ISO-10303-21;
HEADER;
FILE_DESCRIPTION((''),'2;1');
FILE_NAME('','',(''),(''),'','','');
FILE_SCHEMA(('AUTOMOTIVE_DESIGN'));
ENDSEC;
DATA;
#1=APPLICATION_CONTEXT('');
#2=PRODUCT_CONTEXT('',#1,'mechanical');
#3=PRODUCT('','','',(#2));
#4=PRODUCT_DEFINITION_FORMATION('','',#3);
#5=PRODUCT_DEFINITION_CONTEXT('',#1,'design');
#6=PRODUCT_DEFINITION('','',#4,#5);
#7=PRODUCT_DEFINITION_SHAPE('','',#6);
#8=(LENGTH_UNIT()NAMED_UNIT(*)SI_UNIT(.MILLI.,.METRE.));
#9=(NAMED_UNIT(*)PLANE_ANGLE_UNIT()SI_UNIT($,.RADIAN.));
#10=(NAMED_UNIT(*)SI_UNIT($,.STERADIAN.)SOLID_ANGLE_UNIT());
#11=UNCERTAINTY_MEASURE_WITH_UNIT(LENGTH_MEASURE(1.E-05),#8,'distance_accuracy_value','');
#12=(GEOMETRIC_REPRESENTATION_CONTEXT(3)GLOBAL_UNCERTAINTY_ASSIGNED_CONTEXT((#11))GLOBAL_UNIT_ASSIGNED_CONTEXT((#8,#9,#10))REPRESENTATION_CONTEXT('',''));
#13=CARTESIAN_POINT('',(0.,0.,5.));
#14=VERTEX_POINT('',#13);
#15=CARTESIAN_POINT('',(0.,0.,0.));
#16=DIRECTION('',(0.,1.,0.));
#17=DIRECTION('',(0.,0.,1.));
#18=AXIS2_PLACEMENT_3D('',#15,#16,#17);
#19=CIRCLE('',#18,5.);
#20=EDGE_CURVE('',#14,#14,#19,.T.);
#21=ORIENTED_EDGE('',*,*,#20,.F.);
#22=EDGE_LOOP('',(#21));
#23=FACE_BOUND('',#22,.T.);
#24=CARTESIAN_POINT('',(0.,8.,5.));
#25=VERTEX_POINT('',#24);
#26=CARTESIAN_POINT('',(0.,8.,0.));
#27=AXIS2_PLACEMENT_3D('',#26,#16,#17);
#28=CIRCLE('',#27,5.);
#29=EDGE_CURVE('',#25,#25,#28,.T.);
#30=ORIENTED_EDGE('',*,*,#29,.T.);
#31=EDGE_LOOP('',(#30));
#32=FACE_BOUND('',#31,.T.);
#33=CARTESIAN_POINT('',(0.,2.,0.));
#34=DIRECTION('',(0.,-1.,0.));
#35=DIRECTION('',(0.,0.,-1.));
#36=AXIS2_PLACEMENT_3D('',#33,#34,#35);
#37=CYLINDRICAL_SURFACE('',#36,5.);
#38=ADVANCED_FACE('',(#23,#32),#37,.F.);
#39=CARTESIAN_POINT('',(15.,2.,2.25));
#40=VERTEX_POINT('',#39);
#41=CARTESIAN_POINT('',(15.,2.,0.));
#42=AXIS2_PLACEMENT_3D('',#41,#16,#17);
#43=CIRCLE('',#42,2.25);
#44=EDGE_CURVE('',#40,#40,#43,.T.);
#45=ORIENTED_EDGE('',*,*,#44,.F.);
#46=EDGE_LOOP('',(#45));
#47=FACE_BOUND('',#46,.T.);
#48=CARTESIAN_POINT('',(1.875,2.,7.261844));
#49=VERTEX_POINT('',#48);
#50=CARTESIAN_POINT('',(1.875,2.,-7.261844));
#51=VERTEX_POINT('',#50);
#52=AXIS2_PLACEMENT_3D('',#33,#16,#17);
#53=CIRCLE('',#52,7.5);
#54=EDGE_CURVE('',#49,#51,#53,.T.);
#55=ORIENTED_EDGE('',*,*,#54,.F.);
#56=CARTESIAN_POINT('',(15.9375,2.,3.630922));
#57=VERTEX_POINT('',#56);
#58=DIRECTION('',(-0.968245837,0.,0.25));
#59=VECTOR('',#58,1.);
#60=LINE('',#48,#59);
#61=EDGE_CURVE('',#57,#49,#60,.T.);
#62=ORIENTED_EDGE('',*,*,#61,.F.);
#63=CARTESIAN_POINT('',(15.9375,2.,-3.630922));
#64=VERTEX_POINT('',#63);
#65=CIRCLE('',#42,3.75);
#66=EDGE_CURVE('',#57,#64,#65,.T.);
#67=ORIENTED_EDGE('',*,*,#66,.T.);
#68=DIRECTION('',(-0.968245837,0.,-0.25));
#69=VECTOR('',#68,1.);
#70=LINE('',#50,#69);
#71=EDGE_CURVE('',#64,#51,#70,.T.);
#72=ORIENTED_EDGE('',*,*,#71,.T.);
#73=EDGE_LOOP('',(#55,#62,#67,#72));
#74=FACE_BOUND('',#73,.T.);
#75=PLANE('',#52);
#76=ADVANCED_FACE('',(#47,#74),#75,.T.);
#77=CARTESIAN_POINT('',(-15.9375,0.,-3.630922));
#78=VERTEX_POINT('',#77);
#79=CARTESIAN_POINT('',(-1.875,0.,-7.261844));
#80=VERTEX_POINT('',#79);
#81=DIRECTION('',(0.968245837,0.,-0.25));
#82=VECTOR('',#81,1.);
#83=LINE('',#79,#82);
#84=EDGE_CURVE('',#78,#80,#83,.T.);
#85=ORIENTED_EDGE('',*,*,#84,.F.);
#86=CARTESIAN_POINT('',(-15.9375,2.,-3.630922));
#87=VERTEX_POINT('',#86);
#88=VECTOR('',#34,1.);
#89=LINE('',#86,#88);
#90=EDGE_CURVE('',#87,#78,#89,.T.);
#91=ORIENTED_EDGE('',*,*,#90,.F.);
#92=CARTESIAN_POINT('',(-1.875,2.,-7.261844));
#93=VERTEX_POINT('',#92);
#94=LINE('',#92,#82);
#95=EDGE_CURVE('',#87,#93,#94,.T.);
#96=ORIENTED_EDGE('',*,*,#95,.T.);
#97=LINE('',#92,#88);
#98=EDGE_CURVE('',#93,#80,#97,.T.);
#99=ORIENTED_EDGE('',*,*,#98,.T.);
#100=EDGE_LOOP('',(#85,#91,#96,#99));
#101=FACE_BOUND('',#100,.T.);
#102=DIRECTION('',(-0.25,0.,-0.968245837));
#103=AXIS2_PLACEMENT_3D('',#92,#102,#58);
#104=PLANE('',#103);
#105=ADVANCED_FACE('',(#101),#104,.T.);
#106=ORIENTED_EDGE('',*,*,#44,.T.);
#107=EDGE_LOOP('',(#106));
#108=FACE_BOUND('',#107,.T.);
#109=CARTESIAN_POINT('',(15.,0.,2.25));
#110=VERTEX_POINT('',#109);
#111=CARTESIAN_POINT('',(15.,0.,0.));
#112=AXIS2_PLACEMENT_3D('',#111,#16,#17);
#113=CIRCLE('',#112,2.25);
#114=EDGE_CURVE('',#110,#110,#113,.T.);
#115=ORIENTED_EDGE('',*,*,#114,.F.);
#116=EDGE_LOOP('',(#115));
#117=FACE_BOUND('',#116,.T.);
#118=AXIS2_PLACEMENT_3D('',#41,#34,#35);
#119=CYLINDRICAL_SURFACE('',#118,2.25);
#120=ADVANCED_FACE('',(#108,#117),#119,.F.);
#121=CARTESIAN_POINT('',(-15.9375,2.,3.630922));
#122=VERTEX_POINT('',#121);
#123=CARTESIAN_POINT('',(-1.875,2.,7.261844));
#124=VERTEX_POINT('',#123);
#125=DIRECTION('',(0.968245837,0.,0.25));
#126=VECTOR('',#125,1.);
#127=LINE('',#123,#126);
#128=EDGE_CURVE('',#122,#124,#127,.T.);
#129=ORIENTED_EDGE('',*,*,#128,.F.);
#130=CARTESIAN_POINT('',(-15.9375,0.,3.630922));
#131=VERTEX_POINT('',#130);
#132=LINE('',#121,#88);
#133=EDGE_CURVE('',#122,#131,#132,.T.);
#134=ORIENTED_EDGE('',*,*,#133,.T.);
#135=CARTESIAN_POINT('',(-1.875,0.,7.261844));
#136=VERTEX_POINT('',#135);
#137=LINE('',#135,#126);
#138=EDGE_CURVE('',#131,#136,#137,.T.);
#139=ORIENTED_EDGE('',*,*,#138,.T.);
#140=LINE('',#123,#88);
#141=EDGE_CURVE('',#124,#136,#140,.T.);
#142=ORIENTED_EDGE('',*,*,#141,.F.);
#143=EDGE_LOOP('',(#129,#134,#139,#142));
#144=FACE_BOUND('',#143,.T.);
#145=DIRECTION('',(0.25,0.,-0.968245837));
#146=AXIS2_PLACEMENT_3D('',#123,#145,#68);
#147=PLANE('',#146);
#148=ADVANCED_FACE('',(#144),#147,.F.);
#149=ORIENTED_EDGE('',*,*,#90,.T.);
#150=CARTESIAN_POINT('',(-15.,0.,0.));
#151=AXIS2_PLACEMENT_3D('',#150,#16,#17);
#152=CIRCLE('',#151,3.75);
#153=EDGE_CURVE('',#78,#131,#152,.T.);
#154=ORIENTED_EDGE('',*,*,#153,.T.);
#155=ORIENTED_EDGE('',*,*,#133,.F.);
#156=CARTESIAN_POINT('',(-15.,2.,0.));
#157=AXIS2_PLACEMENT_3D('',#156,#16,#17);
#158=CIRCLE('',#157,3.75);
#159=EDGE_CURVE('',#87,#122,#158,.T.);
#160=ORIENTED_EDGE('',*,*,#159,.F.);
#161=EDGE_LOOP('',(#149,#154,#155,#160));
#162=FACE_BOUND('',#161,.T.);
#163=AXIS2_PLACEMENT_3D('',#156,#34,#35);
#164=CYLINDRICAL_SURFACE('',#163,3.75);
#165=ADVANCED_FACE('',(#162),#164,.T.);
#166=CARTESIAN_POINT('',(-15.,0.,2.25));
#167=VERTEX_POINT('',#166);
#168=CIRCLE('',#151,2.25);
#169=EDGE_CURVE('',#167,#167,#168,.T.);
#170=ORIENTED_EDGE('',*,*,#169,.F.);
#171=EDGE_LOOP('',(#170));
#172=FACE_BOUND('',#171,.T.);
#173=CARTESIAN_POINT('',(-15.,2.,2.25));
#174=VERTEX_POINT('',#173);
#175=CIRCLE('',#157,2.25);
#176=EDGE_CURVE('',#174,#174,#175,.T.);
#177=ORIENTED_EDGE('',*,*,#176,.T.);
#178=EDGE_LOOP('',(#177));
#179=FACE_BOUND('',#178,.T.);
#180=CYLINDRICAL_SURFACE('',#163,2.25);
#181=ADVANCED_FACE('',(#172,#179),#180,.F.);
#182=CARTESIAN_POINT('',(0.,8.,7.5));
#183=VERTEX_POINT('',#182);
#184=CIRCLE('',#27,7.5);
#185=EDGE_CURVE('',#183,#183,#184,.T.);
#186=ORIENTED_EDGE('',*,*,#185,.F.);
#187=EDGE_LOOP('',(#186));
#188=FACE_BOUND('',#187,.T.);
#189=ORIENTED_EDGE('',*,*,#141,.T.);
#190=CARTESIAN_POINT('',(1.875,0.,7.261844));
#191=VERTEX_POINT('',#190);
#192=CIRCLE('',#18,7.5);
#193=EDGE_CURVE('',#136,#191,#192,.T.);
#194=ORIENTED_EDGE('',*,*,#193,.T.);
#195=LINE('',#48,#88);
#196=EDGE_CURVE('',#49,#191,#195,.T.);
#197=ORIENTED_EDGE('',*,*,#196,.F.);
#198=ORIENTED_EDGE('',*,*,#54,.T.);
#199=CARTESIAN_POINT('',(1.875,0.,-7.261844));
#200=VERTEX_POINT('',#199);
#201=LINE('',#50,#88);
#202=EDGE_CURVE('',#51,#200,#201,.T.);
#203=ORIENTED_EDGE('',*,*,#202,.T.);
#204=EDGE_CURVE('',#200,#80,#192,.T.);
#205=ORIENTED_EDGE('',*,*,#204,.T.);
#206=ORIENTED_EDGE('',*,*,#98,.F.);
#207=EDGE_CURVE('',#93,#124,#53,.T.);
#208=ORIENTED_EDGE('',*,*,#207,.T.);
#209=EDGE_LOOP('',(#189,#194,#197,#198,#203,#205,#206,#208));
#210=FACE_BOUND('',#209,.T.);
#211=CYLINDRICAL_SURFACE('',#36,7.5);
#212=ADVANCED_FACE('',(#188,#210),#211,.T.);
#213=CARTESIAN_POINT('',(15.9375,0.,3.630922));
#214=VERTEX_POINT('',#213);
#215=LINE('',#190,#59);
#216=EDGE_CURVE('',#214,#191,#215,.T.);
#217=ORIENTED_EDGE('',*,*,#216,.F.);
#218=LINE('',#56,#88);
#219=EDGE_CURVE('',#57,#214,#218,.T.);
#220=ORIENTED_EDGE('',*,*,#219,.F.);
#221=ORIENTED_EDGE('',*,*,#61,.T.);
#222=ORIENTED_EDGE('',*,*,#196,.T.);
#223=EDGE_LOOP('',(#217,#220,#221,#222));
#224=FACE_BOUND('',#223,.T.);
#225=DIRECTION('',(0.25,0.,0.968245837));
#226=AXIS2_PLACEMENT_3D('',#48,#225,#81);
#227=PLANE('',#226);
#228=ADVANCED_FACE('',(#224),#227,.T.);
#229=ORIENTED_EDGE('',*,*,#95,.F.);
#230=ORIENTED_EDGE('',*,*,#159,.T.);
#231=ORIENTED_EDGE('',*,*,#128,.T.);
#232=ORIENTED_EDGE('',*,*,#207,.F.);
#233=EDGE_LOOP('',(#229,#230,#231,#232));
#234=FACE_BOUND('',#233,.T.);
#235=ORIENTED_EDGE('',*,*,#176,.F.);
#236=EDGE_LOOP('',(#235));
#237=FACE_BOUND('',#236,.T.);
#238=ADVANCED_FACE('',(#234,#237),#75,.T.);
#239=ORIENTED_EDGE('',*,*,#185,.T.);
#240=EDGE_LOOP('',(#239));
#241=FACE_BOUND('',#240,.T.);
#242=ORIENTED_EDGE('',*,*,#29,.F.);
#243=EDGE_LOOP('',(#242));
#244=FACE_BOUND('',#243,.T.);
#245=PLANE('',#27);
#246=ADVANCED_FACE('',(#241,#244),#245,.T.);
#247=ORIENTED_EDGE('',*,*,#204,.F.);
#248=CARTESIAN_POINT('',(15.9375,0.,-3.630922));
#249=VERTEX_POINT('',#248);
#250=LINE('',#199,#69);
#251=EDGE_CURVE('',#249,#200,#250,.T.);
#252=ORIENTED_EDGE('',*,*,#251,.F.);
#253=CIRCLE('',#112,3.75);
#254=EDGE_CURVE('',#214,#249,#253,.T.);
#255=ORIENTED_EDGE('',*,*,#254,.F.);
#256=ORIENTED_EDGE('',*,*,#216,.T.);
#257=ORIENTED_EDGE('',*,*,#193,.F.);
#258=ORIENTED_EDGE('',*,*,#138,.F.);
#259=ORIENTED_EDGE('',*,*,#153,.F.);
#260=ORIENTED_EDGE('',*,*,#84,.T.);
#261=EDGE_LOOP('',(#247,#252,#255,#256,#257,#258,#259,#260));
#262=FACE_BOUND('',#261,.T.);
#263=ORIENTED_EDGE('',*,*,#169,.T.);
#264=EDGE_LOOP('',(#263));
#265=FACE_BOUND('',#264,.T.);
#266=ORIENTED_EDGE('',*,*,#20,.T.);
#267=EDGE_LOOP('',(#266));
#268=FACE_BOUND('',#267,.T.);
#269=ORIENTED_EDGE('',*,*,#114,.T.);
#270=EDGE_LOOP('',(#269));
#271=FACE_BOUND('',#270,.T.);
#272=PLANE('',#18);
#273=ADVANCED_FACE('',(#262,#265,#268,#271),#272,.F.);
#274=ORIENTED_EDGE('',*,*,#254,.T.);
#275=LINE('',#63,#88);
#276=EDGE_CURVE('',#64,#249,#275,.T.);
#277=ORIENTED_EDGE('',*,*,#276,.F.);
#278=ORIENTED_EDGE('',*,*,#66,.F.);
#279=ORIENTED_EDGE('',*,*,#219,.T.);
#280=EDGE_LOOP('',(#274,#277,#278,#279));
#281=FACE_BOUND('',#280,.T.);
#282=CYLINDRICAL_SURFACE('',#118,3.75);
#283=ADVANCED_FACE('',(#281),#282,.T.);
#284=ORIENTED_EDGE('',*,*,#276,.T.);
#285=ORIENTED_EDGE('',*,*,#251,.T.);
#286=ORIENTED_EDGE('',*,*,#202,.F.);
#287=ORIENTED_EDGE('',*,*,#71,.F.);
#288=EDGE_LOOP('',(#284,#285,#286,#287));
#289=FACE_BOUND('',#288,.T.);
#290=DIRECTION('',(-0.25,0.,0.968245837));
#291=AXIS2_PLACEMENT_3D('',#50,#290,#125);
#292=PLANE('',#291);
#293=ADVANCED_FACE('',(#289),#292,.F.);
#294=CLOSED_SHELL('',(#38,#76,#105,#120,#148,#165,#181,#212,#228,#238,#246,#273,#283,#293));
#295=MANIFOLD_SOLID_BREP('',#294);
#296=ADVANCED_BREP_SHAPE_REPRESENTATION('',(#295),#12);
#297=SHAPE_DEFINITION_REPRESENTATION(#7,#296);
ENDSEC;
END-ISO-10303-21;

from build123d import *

# Parameters (mm, degrees)
SKETCH2_R           = 2.25
SKETCH2_R_2         = 5
BOSS_EXTRUDE2_DEPTH = 2
SKETCH3_R           = 7.5
SKETCH3_R_2         = 5
BOSS_EXTRUDE3_DEPTH = 6


with BuildPart() as part:
    # Sketch2 → Boss-Extrude2 (new body)
    with BuildSketch(Plane(origin=(0, 0, 0), x_dir=(1, 0, 0), z_dir=(0, 1, 0))):
        with BuildLine():
            Line((-1.875, 7.261843774), (-15.9375, 3.630921887))
            ThreePointArc((-15.9375, 3.630921887), (-18.75, 0), (-15.9375, -3.630921887))
            Line((-15.9375, -3.630921887), (-1.875, -7.261843774))
            ThreePointArc((-1.875, -7.261843774), (0, -7.5), (1.875, -7.261843774))
            Line((1.875, -7.261843774), (15.9375, -3.630921887))
            ThreePointArc((15.9375, -3.630921887), (18.75, 0), (15.9375, 3.630921887))
            Line((15.9375, 3.630921887), (1.875, 7.261843774))
            ThreePointArc((1.875, 7.261843774), (0, 7.5), (-1.875, 7.261843774))
        make_face()
        with Locations((-15, 0)):
            Circle(SKETCH2_R, mode=Mode.SUBTRACT)
        Circle(SKETCH2_R_2, mode=Mode.SUBTRACT)
        with Locations((15, 0)):
            Circle(SKETCH2_R, mode=Mode.SUBTRACT)
    extrude(amount=BOSS_EXTRUDE2_DEPTH)

    # Sketch3 → Boss-Extrude3 (add)
    with BuildSketch(Plane(origin=(0, 2, 0), x_dir=(1, 0, 0), z_dir=(0, 1, 0))):
        Circle(SKETCH3_R)
        Circle(SKETCH3_R_2, mode=Mode.SUBTRACT)
    extrude(amount=BOSS_EXTRUDE3_DEPTH)


solid = part.part
